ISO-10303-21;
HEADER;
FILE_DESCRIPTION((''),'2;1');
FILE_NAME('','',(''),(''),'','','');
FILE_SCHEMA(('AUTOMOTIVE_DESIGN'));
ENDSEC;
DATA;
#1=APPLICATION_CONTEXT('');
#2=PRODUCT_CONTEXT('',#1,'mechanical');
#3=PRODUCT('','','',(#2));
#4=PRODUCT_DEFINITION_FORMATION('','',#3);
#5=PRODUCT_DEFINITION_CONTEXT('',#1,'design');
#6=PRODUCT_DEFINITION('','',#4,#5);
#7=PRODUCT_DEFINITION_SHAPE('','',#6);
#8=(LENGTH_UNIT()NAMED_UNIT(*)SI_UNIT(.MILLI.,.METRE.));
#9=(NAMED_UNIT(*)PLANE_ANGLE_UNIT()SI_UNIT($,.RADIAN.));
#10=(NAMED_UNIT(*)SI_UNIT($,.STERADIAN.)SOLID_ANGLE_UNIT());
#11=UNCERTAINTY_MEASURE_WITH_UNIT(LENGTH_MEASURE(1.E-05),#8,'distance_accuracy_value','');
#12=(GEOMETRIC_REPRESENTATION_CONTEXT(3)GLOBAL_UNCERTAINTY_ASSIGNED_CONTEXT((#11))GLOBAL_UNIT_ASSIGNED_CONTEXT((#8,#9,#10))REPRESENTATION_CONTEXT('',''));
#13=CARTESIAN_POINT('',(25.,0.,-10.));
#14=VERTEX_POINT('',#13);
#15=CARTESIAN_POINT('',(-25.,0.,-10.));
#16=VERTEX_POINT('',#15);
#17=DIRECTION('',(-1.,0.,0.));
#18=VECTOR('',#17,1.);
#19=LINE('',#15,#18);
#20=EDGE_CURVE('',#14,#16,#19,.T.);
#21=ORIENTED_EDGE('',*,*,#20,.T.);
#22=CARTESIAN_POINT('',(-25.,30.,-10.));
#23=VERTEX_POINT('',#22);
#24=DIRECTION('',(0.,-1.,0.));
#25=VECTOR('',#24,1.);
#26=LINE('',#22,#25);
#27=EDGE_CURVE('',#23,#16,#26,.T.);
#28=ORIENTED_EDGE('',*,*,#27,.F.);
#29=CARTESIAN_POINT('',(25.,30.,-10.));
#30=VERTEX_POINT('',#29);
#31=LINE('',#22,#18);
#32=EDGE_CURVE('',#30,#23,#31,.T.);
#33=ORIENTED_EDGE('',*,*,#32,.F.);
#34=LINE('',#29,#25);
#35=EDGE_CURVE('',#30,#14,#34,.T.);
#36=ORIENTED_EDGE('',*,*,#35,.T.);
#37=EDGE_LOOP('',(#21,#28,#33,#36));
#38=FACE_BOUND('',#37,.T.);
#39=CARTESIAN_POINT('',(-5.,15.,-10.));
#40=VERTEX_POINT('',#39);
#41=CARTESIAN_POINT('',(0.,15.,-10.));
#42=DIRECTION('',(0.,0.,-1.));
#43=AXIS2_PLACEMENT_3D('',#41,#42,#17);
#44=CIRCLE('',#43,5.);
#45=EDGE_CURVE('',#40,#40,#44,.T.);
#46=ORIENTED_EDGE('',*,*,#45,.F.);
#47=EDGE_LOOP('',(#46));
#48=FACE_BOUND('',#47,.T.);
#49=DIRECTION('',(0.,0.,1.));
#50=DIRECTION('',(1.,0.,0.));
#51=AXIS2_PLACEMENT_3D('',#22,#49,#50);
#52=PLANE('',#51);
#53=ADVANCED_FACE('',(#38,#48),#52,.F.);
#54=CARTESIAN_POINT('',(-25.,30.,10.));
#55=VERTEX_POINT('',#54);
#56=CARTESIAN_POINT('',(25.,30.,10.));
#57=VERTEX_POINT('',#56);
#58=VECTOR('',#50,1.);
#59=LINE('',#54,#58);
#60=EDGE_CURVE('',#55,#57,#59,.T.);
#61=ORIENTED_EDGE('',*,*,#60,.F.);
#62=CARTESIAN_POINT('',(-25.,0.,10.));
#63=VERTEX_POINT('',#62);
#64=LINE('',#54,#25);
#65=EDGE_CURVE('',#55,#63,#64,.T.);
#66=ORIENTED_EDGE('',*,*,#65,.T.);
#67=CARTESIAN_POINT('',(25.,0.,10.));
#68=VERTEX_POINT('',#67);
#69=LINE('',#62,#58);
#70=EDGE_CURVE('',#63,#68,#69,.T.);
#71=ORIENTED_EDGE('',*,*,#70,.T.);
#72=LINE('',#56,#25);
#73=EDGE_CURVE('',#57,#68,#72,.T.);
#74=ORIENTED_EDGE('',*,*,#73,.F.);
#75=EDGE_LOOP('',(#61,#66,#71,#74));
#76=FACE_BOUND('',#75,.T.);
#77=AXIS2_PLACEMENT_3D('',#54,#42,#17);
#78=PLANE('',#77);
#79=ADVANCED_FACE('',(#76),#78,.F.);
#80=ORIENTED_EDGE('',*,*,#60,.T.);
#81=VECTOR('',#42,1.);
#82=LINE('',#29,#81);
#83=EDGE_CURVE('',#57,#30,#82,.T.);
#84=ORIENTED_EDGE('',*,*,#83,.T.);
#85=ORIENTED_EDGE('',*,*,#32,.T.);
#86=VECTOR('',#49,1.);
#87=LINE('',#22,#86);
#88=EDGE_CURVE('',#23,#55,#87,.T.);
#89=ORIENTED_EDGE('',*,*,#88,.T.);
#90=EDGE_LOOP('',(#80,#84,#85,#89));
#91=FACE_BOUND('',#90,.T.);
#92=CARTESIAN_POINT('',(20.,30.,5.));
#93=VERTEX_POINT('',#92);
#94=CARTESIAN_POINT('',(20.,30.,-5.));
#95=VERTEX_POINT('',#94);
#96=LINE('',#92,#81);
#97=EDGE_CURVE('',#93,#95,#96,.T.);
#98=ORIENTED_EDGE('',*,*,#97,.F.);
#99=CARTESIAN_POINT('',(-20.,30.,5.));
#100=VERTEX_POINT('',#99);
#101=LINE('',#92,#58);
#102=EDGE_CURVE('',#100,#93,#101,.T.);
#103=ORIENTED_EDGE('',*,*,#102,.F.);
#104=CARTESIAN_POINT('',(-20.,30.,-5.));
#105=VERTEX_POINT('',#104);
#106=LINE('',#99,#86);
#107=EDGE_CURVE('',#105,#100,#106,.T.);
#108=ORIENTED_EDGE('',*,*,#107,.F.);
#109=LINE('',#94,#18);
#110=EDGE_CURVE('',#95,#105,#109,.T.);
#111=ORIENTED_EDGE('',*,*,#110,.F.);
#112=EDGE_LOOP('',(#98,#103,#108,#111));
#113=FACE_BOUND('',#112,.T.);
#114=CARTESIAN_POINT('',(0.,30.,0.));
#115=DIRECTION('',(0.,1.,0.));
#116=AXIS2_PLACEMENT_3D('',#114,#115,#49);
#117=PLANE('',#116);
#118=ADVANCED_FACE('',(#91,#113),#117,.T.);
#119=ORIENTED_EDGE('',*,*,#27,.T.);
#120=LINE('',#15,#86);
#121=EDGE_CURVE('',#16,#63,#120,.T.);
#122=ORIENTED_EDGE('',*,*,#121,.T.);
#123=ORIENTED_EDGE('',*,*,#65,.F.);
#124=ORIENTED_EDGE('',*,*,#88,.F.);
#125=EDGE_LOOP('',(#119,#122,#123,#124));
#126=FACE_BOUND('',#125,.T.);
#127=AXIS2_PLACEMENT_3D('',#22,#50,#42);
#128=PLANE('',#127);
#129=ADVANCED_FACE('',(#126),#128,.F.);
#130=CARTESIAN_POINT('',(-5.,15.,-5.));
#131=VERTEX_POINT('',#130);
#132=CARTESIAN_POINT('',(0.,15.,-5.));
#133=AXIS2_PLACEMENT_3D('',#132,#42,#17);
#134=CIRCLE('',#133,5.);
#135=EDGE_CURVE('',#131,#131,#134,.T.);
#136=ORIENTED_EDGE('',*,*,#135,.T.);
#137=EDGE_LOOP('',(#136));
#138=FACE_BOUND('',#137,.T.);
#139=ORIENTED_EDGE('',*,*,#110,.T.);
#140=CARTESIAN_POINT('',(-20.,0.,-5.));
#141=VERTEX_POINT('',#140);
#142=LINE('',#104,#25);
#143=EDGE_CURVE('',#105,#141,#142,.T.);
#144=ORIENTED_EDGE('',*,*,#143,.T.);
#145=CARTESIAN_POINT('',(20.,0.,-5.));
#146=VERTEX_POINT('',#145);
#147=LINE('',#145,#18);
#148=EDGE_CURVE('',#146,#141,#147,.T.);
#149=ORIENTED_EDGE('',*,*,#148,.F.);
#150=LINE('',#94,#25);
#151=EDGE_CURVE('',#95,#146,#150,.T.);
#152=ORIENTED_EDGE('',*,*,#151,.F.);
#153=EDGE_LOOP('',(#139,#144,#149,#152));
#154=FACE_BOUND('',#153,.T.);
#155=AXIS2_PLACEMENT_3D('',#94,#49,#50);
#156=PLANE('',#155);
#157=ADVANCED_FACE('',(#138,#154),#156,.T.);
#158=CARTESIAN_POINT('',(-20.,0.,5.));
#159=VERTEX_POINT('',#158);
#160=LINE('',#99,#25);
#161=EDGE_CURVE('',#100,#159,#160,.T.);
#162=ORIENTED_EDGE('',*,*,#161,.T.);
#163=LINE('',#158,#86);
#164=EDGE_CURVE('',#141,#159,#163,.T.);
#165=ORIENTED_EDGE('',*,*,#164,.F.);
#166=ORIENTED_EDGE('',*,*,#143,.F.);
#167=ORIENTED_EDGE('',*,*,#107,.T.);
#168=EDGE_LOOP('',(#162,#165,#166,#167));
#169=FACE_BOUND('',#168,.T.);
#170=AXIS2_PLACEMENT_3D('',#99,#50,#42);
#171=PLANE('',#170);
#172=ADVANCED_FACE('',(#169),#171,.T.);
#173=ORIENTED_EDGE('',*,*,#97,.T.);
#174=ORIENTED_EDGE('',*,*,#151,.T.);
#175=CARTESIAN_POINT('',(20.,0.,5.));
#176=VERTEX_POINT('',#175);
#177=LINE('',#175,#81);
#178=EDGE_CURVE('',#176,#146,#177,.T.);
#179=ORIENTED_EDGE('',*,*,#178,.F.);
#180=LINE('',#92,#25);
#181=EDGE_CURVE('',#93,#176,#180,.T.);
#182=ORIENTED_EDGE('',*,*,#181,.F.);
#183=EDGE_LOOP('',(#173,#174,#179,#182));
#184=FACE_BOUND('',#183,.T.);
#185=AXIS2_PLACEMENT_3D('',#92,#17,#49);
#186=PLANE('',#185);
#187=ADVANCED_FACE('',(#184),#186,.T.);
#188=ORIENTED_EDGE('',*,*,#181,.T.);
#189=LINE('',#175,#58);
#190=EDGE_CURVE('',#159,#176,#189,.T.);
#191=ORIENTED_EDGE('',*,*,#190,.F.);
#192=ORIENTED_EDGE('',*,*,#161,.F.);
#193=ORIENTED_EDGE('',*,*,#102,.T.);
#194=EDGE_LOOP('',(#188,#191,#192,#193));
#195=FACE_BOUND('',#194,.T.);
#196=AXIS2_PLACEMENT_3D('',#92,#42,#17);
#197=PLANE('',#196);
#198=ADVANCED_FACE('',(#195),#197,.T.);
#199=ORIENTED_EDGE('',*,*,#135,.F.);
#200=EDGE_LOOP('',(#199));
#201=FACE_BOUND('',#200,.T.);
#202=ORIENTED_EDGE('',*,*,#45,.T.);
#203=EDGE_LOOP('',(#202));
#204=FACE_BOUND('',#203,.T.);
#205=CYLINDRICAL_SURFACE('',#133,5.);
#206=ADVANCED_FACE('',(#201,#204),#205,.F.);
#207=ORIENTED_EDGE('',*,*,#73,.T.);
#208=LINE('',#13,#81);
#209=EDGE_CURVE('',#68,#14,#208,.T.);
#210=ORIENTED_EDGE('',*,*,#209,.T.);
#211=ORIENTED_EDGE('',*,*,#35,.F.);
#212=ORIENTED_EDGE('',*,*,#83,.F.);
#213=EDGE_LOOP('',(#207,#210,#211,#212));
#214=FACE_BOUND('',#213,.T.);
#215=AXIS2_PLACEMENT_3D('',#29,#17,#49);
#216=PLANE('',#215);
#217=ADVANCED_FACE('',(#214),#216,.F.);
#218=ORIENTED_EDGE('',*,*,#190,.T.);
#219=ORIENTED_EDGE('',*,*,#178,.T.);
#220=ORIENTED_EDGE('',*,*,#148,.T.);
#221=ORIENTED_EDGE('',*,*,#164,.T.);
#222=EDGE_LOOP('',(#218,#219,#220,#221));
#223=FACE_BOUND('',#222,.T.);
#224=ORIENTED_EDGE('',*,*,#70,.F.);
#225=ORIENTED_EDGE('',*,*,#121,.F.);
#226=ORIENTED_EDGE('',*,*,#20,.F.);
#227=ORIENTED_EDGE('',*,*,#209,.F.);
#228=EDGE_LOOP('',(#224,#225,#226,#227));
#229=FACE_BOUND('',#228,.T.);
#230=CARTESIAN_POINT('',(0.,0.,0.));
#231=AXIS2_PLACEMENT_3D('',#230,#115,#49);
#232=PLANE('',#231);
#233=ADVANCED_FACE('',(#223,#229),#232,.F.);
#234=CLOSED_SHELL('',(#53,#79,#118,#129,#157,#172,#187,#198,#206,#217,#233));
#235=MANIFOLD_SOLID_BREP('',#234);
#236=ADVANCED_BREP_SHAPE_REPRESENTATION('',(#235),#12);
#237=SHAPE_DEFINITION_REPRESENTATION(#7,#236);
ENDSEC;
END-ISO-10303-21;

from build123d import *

# Parameters (mm, degrees)
SKETCH_2_W          = 50
SKETCH_2_H          = 20
SKETCH_2_W_2        = 40
SKETCH_2_H_2        = 10
EXTRUDE_1_DEPTH     = 30
SKETCH_3_R          = 5
CUT_EXTRUDE_1_DEPTH = 5


with BuildPart() as part:
    # 草图2 → 凸台-拉伸1 (new body)
    with BuildSketch(Plane(origin=(0, 0, 0), x_dir=(1, 0, 0), z_dir=(0, 1, 0))):
        Rectangle(SKETCH_2_W, SKETCH_2_H)
        Rectangle(SKETCH_2_W_2, SKETCH_2_H_2, mode=Mode.SUBTRACT)
    extrude(amount=EXTRUDE_1_DEPTH)

    # 草图3 → 切除-拉伸1 (cut)
    with BuildSketch(Plane(origin=(0, 0, -10), x_dir=(-1, 0, 0), z_dir=(0, 0, -1))):
        with Locations((0, 15)):
            Circle(SKETCH_3_R)
    extrude(amount=-CUT_EXTRUDE_1_DEPTH, mode=Mode.SUBTRACT)


solid = part.part
